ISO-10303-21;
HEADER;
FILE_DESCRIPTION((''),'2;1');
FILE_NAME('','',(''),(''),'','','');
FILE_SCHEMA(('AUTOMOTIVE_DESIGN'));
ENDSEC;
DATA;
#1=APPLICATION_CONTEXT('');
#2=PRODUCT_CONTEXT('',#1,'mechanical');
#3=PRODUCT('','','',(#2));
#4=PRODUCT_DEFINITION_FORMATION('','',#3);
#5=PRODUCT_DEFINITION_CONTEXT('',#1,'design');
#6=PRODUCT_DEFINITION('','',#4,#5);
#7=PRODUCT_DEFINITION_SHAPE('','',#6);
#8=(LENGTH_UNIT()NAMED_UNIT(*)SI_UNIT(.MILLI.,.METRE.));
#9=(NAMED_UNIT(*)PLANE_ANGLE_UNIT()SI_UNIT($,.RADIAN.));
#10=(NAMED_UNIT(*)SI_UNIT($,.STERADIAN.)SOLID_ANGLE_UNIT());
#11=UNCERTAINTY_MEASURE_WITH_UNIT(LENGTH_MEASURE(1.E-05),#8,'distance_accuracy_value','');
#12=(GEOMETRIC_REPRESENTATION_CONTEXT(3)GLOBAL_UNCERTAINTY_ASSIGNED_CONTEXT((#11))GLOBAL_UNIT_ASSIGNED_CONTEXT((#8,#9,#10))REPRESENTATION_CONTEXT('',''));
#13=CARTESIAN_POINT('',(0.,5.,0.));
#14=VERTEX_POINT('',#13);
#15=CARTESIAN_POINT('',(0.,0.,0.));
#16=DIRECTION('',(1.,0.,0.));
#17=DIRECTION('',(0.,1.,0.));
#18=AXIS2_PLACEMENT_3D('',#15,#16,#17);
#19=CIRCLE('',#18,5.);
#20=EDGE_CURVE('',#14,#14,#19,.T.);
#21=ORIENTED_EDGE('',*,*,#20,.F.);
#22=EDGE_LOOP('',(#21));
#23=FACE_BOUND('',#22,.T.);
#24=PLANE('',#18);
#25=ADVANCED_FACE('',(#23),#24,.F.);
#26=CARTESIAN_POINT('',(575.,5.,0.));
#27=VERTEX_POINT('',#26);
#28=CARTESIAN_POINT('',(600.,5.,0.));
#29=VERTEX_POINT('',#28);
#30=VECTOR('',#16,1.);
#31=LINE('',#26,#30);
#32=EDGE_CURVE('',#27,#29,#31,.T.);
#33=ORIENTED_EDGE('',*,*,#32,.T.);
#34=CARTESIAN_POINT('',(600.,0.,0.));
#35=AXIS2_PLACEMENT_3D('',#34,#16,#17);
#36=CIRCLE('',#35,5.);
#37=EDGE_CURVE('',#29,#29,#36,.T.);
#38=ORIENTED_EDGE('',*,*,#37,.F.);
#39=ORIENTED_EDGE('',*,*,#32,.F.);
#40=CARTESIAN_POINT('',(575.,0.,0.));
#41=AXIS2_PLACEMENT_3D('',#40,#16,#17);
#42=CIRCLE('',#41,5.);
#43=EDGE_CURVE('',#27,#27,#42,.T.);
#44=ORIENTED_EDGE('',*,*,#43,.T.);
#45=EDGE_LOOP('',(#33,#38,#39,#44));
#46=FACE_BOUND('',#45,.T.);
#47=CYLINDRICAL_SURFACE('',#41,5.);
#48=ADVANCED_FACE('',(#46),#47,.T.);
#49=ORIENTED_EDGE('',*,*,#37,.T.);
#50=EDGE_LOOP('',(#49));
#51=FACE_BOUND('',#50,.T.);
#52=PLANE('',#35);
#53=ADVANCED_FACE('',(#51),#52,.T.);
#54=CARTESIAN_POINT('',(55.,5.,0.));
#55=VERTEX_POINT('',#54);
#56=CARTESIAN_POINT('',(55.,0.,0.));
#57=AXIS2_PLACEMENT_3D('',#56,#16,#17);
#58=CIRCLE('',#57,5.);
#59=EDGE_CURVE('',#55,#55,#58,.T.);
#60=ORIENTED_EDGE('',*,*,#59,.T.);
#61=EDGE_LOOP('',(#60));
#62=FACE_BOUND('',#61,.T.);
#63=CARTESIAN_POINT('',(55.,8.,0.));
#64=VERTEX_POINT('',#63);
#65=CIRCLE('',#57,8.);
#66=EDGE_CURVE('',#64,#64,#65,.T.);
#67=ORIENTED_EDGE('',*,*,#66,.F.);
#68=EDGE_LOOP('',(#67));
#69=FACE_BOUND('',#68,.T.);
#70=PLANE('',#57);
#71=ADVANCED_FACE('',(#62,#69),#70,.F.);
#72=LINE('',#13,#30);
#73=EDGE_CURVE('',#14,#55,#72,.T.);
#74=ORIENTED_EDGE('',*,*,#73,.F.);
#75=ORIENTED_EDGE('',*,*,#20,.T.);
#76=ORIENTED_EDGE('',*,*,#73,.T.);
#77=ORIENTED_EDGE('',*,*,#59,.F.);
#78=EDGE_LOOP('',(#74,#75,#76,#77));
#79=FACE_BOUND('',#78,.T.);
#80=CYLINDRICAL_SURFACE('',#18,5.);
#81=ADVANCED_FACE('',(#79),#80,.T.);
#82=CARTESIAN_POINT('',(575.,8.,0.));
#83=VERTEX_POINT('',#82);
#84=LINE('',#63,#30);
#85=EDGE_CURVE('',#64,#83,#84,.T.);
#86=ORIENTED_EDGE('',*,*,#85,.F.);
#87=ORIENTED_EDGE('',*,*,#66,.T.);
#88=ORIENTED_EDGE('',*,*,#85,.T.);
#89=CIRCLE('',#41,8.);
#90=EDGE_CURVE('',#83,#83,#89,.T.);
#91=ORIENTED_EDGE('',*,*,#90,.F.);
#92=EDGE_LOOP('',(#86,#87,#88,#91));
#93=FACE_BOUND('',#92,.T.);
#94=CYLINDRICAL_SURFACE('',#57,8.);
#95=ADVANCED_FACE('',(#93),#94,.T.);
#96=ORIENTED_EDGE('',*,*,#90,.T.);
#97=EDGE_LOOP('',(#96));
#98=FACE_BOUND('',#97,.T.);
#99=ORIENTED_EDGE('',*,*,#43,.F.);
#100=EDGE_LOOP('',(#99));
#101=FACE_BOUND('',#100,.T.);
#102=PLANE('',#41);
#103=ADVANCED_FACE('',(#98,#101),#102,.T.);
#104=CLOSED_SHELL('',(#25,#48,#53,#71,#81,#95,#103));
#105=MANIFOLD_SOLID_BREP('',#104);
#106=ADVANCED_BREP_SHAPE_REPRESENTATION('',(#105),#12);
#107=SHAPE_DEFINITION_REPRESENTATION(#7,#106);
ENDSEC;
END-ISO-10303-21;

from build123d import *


with BuildPart() as part:
    # Sketch → Revolution (revolve)
    with BuildSketch(Plane.XY):
        Polygon((0, 0), (0, 5), (55, 5), (55, 8), (575, 8), (575, 5), (600, 5), (600, 0), align=None)
    revolve(axis=Axis((0, 0, 0), (1, 0, 0)))


solid = part.part
